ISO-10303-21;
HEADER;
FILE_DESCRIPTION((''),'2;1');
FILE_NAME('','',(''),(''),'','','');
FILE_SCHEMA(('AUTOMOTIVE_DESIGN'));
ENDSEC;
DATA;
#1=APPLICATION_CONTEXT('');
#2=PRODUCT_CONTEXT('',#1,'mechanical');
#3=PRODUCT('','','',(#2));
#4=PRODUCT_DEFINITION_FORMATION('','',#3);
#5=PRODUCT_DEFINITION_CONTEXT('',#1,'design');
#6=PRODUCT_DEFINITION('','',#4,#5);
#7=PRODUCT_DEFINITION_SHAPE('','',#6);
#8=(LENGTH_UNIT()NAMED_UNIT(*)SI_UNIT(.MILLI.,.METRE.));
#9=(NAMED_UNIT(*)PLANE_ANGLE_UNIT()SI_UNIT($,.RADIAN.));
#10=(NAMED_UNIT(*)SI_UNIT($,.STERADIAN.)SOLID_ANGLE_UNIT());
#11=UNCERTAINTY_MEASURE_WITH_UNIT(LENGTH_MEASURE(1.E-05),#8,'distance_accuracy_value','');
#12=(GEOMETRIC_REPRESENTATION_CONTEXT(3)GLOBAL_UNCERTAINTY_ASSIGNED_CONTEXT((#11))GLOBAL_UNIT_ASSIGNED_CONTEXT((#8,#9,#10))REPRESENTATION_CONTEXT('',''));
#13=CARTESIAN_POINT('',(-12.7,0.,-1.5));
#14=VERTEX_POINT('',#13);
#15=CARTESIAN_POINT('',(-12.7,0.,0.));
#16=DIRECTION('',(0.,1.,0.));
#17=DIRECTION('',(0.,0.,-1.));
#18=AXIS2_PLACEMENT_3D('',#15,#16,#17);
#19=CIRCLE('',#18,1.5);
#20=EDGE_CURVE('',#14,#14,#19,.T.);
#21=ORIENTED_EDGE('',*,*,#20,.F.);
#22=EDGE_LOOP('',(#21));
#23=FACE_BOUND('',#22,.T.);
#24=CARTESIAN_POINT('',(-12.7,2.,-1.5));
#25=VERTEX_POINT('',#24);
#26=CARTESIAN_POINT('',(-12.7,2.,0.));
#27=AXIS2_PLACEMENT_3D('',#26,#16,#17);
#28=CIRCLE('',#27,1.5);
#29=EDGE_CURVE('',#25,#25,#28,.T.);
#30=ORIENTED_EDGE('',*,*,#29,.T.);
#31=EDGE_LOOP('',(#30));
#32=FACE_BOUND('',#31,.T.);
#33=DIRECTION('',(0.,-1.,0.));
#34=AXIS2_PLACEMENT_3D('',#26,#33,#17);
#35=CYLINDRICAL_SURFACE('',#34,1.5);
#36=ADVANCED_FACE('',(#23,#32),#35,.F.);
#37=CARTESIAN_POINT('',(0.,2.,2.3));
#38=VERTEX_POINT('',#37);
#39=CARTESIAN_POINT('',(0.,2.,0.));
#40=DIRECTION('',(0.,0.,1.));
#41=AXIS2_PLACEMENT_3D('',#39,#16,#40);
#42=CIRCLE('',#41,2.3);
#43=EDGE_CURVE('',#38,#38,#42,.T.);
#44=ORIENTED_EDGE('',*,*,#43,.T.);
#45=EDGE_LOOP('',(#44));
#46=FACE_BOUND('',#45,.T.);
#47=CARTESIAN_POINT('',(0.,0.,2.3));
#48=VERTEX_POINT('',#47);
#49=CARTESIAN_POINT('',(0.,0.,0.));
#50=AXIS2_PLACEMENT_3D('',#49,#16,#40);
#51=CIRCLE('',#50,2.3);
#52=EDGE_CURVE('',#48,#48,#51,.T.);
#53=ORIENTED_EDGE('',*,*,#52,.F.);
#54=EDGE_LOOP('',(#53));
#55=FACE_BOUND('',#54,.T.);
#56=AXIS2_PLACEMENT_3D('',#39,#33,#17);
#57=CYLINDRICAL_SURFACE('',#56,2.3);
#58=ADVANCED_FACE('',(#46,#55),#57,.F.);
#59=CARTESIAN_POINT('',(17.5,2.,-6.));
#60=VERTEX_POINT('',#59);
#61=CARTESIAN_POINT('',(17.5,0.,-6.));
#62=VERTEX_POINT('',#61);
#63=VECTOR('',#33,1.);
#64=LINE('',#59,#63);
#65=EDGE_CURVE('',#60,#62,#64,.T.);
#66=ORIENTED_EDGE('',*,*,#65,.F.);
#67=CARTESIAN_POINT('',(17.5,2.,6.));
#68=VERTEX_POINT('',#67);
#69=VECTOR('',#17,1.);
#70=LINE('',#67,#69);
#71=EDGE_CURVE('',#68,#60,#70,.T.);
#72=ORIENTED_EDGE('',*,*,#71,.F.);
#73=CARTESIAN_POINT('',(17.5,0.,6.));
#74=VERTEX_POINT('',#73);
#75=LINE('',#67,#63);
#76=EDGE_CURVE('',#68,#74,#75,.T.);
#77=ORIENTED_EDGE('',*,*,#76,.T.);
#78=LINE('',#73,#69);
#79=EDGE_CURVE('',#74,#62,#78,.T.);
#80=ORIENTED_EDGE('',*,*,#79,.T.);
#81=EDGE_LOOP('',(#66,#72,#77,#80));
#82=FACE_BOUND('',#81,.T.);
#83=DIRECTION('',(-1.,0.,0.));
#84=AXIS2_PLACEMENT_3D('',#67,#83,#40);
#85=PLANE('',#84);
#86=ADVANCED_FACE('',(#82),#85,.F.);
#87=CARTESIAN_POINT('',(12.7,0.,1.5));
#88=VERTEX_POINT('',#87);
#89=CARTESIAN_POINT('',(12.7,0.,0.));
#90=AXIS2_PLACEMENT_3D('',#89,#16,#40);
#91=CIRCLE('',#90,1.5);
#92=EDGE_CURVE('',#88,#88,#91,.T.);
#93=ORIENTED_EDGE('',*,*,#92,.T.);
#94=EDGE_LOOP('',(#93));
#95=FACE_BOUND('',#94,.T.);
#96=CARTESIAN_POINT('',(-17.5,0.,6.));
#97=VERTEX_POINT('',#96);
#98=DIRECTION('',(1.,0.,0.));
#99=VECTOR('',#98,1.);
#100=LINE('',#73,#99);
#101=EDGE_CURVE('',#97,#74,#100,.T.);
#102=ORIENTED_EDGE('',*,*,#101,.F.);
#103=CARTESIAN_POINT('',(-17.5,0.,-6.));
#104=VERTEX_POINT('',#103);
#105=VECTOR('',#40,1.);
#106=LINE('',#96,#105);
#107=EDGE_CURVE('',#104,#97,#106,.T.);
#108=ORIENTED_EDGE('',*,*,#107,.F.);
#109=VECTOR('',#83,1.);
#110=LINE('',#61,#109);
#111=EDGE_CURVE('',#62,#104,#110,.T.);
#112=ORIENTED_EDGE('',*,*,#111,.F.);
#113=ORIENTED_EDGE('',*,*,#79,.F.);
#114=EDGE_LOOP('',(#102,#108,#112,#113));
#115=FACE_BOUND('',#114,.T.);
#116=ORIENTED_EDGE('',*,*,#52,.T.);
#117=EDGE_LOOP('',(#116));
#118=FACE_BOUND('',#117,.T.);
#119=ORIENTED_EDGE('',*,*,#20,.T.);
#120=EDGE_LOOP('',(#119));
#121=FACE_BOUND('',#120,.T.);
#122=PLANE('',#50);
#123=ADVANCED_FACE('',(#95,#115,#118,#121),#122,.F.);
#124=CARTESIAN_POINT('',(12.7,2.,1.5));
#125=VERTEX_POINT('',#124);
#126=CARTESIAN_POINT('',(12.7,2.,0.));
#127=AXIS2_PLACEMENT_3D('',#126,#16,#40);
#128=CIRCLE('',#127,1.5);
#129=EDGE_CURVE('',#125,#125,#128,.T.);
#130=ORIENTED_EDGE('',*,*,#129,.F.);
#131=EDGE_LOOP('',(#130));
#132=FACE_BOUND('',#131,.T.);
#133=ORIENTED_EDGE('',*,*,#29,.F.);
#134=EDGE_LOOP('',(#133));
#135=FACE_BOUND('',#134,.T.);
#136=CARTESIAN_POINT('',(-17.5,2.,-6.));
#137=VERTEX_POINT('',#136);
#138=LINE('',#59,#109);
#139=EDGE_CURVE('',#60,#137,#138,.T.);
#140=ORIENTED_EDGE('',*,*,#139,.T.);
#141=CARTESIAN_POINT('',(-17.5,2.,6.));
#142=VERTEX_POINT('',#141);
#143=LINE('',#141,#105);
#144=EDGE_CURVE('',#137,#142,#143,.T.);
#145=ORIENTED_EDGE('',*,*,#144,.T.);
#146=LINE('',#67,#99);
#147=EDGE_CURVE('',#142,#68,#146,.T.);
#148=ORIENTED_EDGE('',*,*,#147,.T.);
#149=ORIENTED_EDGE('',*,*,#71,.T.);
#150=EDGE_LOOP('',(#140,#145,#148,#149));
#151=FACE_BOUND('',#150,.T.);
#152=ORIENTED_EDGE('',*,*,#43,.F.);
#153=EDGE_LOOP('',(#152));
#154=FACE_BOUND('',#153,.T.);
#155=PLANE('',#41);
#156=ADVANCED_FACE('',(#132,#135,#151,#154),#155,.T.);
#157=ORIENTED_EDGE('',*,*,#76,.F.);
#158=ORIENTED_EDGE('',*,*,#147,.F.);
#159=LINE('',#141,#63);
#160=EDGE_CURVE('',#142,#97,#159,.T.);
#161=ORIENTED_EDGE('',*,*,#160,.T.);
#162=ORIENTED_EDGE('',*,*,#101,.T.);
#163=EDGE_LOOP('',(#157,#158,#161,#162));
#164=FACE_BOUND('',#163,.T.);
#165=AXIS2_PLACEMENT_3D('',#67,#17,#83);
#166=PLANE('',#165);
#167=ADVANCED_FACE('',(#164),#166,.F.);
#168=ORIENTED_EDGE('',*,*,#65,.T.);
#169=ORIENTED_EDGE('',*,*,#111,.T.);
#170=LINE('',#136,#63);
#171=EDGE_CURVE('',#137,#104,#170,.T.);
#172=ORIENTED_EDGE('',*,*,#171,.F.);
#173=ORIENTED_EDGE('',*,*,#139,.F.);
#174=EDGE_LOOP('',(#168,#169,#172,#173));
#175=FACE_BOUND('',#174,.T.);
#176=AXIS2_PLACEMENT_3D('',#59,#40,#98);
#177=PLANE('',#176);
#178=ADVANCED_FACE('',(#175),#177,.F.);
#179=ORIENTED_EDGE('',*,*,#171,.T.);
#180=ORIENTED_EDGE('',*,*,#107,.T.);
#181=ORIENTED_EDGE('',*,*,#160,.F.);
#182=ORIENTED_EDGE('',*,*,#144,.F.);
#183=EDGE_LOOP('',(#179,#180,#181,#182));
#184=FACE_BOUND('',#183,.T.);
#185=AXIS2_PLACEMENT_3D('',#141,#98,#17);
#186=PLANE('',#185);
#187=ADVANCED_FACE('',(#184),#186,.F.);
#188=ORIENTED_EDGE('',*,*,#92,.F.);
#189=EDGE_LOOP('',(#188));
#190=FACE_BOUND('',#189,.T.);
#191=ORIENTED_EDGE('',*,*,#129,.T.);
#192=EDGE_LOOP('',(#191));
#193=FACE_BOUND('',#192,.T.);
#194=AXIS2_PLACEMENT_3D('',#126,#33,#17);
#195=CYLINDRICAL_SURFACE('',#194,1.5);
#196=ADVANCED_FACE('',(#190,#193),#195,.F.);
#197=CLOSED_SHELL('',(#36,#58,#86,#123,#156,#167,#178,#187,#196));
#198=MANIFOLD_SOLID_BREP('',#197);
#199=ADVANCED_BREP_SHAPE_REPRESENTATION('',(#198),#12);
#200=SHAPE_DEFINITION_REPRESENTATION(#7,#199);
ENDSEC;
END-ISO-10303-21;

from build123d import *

# Parameters (mm, degrees)
SKETCH1_W           = 35
SKETCH1_H           = 12
SKETCH1_R           = 2.3
SKETCH1_R_2         = 1.5
BOSS_EXTRUDE1_DEPTH = 2


with BuildPart() as part:
    # Sketch1 → Boss-Extrude1 (new body)
    with BuildSketch(Plane(origin=(0, 0, 0), x_dir=(1, 0, 0), z_dir=(0, 1, 0))):
        Rectangle(SKETCH1_W, SKETCH1_H)
        with Locations(Location((0, 0, 0), (0, 0, 270))):
            Circle(SKETCH1_R, mode=Mode.SUBTRACT)
        with Locations(Location((12.7, 0, 0), (0, 0, 270))):
            Circle(SKETCH1_R_2, mode=Mode.SUBTRACT)
        with Locations(Location((-12.7, 0, 0), (0, 0, 90))):
            Circle(SKETCH1_R_2, mode=Mode.SUBTRACT)
    extrude(amount=BOSS_EXTRUDE1_DEPTH)


solid = part.part
